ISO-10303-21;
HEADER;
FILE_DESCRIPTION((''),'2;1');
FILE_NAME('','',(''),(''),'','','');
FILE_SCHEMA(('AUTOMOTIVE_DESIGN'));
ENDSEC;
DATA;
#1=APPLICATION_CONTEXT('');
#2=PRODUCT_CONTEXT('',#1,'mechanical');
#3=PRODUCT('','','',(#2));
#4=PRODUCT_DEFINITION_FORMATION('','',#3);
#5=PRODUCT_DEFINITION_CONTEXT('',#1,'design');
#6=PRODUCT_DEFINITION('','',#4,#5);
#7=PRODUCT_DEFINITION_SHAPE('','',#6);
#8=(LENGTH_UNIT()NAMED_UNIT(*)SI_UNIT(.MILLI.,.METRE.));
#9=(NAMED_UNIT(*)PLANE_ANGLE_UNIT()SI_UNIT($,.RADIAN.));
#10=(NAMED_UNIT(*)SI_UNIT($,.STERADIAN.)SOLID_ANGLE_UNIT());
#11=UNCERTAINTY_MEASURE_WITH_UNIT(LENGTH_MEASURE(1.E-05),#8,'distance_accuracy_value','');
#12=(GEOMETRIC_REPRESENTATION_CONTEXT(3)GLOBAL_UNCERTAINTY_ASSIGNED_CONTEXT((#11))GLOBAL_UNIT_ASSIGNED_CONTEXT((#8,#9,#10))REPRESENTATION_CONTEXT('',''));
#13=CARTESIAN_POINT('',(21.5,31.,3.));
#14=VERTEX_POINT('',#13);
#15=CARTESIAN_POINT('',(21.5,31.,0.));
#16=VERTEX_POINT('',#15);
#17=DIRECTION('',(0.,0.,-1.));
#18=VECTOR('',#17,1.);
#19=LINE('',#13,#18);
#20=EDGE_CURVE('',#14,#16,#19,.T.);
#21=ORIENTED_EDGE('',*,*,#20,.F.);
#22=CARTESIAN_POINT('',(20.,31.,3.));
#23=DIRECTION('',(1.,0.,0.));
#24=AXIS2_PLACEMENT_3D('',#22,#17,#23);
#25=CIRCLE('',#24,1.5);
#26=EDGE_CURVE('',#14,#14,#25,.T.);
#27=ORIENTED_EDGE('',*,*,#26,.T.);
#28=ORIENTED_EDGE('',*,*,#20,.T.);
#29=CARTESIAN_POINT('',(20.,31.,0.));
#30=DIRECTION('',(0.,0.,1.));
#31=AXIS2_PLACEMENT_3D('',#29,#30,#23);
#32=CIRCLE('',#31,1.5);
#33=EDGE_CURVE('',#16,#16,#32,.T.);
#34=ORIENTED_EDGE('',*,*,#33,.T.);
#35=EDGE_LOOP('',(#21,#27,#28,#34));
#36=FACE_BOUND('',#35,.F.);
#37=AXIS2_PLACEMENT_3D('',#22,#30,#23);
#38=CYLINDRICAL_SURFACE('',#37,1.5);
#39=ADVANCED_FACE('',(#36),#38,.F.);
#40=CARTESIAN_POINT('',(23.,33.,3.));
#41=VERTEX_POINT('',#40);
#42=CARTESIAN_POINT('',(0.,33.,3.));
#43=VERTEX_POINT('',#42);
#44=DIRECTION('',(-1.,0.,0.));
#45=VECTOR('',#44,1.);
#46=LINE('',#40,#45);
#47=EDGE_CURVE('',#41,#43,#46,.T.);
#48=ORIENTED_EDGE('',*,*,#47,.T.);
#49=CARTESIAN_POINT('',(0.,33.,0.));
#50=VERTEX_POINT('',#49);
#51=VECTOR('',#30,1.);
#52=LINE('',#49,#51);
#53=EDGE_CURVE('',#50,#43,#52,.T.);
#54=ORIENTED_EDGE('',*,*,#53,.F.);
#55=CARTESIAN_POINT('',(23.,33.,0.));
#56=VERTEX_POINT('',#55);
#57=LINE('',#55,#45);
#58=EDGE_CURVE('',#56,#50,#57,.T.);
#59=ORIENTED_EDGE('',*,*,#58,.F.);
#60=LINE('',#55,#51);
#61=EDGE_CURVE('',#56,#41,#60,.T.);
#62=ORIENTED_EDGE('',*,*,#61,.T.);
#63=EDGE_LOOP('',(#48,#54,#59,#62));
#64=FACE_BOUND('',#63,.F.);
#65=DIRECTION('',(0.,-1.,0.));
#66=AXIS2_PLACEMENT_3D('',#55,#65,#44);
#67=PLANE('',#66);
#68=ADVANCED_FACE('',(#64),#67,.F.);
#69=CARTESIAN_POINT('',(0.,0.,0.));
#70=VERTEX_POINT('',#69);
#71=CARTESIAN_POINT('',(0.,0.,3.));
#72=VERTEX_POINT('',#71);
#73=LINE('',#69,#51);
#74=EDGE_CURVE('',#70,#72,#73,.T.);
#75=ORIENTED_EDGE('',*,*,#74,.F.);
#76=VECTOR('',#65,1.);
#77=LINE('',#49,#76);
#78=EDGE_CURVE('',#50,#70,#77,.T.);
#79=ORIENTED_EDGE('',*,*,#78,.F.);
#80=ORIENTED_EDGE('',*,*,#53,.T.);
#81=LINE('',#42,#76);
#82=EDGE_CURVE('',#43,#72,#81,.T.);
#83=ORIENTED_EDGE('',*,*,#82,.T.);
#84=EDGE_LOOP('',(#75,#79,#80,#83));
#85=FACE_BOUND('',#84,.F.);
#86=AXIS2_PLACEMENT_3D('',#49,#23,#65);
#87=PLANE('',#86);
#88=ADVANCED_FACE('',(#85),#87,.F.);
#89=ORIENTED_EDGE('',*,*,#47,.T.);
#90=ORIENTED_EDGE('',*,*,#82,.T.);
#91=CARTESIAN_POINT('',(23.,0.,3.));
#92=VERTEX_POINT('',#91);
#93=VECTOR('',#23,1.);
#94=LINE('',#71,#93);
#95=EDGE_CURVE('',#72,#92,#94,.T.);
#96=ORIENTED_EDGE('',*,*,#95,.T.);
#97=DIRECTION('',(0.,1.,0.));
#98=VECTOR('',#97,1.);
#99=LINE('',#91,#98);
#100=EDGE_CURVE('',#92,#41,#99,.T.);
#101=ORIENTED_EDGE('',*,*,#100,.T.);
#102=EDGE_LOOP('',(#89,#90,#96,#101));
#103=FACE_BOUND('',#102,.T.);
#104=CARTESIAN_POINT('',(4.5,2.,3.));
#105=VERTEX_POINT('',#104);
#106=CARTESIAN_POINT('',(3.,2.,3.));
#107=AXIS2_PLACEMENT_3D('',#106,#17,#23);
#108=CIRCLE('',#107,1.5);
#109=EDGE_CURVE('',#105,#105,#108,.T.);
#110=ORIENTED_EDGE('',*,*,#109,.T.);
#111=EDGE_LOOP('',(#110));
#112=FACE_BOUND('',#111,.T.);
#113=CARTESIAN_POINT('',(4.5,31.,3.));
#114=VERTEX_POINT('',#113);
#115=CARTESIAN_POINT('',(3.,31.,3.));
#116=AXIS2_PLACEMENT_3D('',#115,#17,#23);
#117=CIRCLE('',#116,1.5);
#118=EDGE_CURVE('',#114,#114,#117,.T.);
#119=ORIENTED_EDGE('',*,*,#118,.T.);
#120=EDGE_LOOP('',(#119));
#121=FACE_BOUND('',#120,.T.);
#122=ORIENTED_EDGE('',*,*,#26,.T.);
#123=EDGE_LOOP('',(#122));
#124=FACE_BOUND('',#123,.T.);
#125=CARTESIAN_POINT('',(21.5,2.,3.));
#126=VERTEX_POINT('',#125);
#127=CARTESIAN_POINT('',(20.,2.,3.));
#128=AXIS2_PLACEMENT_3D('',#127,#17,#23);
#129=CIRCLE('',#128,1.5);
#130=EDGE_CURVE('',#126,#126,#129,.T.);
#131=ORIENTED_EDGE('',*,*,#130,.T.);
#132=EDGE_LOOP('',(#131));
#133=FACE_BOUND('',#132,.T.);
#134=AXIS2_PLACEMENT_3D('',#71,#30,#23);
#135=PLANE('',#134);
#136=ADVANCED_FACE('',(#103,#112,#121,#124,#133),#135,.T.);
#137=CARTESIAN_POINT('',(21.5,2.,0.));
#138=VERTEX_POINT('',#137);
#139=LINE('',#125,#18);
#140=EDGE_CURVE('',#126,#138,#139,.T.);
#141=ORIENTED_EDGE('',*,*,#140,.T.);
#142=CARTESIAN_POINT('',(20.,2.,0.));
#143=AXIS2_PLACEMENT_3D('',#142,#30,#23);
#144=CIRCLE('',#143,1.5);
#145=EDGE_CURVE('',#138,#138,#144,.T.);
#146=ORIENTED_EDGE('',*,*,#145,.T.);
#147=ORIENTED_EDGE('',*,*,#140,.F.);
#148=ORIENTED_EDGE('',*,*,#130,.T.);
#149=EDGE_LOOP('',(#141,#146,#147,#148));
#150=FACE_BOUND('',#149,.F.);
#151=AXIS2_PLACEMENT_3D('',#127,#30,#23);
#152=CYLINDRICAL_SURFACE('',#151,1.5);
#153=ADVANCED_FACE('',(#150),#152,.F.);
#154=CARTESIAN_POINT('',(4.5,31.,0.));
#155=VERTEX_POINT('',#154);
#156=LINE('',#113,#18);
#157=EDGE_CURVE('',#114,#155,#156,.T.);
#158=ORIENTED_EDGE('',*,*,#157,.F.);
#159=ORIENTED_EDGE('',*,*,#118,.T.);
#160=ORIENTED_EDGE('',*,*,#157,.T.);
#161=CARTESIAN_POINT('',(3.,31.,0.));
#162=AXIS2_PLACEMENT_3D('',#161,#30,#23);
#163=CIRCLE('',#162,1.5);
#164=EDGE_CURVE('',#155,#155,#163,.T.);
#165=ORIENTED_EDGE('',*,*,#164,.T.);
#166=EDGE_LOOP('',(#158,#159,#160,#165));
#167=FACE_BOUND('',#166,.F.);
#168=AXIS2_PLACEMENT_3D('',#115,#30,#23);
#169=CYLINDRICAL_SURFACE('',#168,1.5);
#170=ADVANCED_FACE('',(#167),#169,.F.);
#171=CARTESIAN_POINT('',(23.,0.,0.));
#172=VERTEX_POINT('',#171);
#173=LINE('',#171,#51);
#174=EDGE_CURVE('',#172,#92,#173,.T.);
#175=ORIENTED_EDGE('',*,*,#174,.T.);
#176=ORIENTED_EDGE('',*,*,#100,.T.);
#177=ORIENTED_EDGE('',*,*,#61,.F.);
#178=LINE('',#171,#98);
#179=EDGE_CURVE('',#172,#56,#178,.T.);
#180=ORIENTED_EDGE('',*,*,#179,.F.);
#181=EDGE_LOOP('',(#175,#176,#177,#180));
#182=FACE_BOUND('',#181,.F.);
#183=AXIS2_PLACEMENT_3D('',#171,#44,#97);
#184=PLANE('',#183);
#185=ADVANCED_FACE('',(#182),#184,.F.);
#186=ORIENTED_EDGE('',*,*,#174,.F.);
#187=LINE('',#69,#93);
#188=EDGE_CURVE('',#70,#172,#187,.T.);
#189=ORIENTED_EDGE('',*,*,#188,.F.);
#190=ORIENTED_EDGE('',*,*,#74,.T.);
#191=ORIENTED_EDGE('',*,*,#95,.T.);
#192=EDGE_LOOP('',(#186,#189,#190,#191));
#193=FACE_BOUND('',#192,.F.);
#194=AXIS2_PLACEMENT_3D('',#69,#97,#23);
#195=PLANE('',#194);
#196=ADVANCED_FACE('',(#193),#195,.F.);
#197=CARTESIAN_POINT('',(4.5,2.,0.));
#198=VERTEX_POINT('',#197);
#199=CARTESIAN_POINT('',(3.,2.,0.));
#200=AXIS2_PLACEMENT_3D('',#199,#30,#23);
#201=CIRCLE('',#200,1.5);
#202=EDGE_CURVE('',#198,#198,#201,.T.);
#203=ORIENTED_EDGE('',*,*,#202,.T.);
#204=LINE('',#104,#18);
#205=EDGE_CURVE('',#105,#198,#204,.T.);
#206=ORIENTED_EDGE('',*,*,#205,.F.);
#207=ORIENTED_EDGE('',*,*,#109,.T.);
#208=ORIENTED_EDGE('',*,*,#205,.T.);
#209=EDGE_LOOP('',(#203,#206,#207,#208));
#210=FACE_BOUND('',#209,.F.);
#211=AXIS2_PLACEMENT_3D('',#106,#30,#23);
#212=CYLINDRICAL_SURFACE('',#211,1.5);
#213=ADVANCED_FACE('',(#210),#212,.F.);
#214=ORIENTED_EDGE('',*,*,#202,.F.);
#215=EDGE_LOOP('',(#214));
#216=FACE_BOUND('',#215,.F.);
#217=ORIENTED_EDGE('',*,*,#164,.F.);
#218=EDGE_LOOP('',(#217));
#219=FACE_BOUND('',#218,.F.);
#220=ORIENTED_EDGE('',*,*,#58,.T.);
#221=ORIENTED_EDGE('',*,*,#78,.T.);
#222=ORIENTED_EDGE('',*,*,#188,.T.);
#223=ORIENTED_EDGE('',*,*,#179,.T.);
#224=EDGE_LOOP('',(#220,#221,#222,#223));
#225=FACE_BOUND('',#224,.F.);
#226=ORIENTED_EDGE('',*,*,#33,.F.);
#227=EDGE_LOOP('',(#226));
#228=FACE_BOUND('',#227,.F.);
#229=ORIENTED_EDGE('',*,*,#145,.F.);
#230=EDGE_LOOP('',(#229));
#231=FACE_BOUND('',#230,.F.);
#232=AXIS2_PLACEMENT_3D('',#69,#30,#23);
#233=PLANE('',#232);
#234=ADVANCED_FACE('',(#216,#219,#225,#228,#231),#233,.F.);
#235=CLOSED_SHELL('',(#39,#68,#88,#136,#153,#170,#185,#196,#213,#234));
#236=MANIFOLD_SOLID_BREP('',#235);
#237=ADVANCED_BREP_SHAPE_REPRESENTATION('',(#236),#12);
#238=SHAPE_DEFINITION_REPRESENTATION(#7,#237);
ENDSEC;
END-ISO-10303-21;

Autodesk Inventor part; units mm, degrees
ref_plane "YZ Plane" through (0, 0, 0) normal (1, 0, 0) x (0, 1, 0)
ref_plane "XZ Plane" through (0, 0, 0) normal (0, 1, 0) x (-1, 0, 0)
ref_plane "XY Plane" through (0, 0, 0) normal (0, 0, 1) x (1, 0, 0)
sketch "Sketch1" plane through (0, 0, 0) normal (0, 0, 1) x (1, 0, 0)
  line L0 (0, 0) -> (23, 0)
  line L1 (23, 0) -> (23, 33)
  line L2 (23, 33) -> (0, 33)
  line L3 (0, 33) -> (0, 0)
  dimension "d0" = 23
  dimension "d1" = 33
extrude "Extrusion1" add sketch "Sketch1" along normal blind 3
sketch "Sketch2" plane through (0, 0, 3) normal (0, 0, 1) x (1, 0, 0)
  line L0 (0, 0) -> (23, 0) projected
  line L1 (0, 0) -> (3, 0)
  line L2 (3, 0) -> (3, 2)
  circle A0 centre (3, 2) radius 1.5
  line L3 (23, 0) -> (20, 0)
  line L4 (20, 0) -> (20, 2)
  line L5 (23, 0) -> (23, 33) projected
  line L6 (23, 33) -> (20, 33)
  line L7 (20, 33) -> (20, 31)
  line L8 (0, 33) -> (3, 33)
  line L9 (23, 33) -> (0, 33) projected
  line L10 (3, 33) -> (3, 31)
  circle A1 centre (3, 31) radius 1.5
  circle A2 centre (20, 31) radius 1.5
  circle A3 centre (20, 2) radius 1.5
  dimension "d4" = 3
  dimension "d5" = 2
  dimension "d6" = 3
  dimension "d7" = 3
  dimension "d8" = 2
  dimension "d9" = 3
  dimension "d10" = 2
  dimension "d11" = 3
  dimension "d12" = 2
  dimension "d13" = 3
  dimension "d14" = 3
  dimension "d15" = 3
extrude "Extrusion2" cut sketch "Sketch2" against normal through all
properties part number "case_core"
